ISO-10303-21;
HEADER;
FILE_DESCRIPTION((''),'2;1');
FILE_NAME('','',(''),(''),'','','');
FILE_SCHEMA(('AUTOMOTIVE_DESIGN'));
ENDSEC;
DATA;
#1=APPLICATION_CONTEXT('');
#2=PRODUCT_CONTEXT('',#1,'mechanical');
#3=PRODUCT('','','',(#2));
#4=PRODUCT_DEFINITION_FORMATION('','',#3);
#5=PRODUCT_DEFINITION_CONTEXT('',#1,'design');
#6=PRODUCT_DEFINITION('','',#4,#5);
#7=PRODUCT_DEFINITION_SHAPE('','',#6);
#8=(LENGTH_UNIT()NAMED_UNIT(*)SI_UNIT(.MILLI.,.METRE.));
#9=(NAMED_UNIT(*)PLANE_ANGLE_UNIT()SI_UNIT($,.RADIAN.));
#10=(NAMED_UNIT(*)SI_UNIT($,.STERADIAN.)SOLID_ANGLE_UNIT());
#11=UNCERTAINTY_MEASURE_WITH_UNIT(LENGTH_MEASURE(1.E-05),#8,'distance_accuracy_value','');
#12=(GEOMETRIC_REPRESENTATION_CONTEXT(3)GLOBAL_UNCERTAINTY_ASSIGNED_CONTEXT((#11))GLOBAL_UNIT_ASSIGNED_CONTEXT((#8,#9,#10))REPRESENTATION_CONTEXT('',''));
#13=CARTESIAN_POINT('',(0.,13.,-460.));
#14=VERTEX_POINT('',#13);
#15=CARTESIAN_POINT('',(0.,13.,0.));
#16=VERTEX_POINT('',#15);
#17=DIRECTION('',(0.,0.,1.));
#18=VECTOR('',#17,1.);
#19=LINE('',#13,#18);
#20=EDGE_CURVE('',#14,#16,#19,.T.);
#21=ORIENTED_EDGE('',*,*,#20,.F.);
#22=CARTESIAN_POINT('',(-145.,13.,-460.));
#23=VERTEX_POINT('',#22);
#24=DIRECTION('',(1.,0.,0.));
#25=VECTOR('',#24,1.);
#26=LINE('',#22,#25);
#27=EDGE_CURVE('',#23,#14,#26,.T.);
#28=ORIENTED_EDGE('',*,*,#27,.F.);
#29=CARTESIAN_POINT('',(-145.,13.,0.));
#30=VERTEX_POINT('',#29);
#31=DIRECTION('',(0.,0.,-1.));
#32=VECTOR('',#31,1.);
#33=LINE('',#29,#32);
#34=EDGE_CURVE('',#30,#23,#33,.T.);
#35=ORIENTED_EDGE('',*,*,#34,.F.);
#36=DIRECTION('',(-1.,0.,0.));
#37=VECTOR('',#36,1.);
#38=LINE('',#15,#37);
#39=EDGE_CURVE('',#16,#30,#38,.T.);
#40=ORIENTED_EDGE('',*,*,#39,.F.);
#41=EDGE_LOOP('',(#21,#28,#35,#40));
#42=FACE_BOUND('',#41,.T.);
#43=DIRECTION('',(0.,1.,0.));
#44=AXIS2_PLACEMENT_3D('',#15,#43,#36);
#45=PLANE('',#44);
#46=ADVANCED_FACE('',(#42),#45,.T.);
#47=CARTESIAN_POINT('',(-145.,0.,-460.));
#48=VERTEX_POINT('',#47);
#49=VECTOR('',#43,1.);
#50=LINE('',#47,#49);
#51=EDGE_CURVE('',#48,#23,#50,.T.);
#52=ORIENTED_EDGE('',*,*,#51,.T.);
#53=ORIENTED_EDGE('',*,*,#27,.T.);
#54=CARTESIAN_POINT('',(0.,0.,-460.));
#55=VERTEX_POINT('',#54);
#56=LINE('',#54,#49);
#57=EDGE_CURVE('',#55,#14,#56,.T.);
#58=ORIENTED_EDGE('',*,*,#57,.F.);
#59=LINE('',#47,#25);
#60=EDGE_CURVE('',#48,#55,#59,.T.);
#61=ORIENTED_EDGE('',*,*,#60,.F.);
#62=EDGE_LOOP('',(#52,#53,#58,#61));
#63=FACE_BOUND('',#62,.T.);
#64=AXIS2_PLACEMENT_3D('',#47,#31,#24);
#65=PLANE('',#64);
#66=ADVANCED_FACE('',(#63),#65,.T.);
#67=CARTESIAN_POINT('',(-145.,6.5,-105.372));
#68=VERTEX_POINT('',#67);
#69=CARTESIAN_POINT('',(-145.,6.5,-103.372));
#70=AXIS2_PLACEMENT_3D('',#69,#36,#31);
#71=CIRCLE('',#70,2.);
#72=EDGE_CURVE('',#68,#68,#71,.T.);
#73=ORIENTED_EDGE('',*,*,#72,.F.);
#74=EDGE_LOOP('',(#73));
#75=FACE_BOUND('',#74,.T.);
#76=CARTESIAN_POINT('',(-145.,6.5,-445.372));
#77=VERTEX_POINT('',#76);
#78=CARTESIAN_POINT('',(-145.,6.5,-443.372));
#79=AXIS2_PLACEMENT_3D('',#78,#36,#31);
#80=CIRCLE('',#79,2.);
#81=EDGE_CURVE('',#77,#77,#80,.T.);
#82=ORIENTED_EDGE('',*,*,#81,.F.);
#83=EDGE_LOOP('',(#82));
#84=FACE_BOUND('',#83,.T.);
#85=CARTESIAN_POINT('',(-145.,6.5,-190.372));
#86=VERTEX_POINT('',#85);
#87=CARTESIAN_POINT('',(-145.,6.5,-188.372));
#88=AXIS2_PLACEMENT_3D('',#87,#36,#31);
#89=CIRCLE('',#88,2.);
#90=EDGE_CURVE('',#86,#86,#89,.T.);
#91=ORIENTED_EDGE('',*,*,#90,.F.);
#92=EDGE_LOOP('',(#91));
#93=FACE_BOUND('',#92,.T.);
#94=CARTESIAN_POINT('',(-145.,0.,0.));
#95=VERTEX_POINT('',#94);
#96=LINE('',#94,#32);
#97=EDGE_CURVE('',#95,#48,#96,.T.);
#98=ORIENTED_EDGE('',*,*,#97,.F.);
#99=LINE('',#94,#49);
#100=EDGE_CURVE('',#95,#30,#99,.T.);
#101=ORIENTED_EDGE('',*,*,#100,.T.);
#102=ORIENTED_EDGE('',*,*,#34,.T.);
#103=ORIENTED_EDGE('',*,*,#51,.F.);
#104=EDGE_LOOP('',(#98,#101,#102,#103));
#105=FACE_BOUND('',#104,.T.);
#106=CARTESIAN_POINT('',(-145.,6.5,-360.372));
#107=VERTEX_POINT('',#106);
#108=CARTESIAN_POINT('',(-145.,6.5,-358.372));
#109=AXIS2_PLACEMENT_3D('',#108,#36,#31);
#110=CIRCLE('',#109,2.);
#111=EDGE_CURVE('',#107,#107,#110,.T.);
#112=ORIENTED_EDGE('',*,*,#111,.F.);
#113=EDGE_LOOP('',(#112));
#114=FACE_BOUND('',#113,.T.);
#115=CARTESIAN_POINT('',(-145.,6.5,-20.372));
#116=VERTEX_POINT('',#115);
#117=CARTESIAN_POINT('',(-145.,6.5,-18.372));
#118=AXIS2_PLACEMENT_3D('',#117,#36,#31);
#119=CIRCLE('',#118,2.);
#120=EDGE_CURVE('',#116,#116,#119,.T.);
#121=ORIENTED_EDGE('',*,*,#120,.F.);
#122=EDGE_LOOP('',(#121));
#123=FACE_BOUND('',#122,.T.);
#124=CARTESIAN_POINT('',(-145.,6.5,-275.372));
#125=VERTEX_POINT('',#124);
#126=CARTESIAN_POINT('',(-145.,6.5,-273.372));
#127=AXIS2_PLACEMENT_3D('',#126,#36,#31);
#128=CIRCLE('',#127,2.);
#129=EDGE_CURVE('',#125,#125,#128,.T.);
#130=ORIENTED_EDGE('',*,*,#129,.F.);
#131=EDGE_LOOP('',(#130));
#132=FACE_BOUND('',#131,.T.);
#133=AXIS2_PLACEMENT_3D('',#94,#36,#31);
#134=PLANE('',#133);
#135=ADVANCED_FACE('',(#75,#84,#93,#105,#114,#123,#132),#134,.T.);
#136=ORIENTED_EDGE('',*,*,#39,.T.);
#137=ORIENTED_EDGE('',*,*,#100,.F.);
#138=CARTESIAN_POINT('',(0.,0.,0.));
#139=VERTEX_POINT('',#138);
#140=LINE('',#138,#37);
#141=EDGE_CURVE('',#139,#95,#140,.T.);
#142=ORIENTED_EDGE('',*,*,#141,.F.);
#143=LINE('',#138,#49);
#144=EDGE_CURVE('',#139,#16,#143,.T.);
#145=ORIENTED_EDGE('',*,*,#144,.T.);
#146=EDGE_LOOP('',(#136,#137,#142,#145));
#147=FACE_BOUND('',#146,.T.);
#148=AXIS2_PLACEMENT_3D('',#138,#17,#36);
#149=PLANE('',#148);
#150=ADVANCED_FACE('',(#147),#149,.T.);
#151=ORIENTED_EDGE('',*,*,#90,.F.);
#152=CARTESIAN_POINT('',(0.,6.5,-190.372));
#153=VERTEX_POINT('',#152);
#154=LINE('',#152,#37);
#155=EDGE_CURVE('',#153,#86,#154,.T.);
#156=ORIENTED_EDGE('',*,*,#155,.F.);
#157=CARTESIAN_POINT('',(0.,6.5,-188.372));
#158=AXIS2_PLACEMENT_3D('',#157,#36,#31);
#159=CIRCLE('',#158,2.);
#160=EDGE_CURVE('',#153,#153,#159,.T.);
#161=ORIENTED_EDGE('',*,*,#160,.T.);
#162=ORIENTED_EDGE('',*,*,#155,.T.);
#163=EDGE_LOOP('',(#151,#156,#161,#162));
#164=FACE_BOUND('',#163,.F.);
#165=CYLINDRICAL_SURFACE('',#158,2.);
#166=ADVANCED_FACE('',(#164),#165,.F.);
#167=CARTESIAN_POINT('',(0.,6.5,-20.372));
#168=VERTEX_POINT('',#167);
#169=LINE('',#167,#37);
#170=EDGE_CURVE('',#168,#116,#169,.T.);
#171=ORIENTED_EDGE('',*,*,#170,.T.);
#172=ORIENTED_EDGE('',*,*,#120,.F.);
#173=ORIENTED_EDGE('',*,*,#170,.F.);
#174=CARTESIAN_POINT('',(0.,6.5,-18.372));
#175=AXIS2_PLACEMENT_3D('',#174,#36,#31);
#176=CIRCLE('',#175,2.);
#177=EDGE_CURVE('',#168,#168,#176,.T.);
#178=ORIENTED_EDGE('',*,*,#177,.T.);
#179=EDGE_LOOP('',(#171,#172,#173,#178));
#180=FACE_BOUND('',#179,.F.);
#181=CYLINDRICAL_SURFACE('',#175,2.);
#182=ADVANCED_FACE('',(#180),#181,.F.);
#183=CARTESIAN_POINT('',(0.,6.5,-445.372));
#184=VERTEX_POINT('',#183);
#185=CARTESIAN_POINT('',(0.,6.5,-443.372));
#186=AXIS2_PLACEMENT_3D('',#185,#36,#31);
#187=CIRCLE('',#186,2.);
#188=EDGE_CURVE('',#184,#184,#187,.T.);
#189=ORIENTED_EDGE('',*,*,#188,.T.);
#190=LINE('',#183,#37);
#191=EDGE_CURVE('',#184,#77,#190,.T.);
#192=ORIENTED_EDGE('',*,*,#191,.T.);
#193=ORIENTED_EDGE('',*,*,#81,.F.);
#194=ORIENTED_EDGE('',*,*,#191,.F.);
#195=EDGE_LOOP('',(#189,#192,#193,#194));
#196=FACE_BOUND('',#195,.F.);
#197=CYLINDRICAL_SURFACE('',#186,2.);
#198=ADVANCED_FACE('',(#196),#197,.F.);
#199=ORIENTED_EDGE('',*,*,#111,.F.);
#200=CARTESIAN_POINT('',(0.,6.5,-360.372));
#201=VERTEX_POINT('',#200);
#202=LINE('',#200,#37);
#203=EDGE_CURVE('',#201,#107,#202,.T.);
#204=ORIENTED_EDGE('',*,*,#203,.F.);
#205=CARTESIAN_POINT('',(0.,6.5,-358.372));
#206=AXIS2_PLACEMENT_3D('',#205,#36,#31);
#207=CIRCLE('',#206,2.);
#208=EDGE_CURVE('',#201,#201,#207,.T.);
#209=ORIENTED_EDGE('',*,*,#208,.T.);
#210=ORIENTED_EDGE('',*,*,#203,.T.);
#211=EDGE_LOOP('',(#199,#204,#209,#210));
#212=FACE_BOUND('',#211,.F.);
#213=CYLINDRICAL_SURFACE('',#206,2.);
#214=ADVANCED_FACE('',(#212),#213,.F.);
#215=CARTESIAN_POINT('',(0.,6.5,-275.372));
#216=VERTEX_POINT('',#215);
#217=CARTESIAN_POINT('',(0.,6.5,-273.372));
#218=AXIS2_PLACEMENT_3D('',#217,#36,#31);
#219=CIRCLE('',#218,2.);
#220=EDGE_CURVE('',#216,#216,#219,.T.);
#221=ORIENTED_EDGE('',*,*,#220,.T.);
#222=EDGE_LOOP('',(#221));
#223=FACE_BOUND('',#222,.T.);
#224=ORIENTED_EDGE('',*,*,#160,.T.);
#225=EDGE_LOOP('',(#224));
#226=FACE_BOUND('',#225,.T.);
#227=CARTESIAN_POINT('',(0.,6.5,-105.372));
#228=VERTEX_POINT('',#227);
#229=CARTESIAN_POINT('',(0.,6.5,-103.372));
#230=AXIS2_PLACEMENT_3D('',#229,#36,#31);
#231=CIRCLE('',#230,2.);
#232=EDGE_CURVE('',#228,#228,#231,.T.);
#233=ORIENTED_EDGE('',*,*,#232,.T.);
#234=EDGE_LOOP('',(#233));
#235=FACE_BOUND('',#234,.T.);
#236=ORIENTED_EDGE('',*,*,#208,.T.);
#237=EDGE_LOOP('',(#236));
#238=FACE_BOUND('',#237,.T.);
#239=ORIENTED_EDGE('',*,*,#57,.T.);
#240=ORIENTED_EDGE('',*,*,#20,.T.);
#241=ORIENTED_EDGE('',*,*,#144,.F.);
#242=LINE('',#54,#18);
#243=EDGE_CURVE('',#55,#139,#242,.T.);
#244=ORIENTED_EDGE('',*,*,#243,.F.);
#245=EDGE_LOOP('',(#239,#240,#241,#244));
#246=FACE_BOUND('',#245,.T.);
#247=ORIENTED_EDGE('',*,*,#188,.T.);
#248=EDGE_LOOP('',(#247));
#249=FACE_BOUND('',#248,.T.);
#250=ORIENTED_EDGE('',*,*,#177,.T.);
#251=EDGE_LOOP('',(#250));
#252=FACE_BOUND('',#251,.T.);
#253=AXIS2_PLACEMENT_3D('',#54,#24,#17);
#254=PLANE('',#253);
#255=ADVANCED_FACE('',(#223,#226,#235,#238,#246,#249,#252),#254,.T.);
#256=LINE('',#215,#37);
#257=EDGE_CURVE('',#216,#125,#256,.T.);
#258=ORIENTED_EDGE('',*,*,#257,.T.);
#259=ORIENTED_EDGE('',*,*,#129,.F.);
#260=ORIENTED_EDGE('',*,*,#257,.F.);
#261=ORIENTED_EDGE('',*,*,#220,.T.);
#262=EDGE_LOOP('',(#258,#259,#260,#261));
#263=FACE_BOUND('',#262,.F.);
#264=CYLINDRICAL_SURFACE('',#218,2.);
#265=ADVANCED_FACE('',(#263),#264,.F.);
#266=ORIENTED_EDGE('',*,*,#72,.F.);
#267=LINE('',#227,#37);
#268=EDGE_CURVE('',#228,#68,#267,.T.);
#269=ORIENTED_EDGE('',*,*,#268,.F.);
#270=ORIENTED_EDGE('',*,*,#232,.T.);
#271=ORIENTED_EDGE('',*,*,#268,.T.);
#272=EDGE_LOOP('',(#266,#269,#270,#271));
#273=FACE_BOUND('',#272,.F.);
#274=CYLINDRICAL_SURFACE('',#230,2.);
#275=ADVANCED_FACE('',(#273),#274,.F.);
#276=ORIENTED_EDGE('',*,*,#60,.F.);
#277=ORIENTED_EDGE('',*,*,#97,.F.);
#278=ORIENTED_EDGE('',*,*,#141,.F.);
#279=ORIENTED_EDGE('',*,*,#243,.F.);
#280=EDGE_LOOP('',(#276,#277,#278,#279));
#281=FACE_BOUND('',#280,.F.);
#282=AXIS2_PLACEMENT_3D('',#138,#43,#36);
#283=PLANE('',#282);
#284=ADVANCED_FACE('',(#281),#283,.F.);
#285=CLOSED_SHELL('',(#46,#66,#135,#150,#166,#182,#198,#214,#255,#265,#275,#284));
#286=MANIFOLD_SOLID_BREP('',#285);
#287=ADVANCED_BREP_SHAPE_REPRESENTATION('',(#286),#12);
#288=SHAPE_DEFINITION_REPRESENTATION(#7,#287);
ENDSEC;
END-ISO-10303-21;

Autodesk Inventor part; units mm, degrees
ref_plane "YZ Plane" through (0, 0, 0) normal (1, 0, 0) x (0, 1, 0)
ref_plane "XZ Plane" through (0, 0, 0) normal (0, 1, 0) x (-1, 0, 0)
ref_plane "XY Plane" through (0, 0, 0) normal (0, 0, 1) x (1, 0, 0)
sketch "Sketch1" plane through (0, 0, 0) normal (0, 1, 0) x (-1, 0, 0)
  line L0 (0, 0) -> (145, 0)
  line L1 (145, 0) -> (145, -460)
  line L2 (145, -460) -> (0, -460)
  line L3 (0, -460) -> (0, 0)
  dimension "d0" = 145
  dimension "d1" = 460
extrude "Extrusion1" add sketch "Sketch1" along normal blind 13
sketch "Sketch2" plane through (0, 0, 0) normal (1, 0, 0) x (0, 0, -1)
  line L0 (0, 0) -> (0, 13) projected
  line L1 (0, 13) -> (460, 13) projected
  point P0 (18.372, 6.5)
  dimension "d4" = 18.372
  dimension "d5" = 6.5
hole "Hole1" at (0, 6.5, -18.372) direction (-1, 0, 0) diameter 4 end through all
pattern_linear "Rectangular Pattern1" count 6 spacing 85 along (0, 0, -1) of "Hole1"
properties part number "belt support" material "Wood (Birch)"
